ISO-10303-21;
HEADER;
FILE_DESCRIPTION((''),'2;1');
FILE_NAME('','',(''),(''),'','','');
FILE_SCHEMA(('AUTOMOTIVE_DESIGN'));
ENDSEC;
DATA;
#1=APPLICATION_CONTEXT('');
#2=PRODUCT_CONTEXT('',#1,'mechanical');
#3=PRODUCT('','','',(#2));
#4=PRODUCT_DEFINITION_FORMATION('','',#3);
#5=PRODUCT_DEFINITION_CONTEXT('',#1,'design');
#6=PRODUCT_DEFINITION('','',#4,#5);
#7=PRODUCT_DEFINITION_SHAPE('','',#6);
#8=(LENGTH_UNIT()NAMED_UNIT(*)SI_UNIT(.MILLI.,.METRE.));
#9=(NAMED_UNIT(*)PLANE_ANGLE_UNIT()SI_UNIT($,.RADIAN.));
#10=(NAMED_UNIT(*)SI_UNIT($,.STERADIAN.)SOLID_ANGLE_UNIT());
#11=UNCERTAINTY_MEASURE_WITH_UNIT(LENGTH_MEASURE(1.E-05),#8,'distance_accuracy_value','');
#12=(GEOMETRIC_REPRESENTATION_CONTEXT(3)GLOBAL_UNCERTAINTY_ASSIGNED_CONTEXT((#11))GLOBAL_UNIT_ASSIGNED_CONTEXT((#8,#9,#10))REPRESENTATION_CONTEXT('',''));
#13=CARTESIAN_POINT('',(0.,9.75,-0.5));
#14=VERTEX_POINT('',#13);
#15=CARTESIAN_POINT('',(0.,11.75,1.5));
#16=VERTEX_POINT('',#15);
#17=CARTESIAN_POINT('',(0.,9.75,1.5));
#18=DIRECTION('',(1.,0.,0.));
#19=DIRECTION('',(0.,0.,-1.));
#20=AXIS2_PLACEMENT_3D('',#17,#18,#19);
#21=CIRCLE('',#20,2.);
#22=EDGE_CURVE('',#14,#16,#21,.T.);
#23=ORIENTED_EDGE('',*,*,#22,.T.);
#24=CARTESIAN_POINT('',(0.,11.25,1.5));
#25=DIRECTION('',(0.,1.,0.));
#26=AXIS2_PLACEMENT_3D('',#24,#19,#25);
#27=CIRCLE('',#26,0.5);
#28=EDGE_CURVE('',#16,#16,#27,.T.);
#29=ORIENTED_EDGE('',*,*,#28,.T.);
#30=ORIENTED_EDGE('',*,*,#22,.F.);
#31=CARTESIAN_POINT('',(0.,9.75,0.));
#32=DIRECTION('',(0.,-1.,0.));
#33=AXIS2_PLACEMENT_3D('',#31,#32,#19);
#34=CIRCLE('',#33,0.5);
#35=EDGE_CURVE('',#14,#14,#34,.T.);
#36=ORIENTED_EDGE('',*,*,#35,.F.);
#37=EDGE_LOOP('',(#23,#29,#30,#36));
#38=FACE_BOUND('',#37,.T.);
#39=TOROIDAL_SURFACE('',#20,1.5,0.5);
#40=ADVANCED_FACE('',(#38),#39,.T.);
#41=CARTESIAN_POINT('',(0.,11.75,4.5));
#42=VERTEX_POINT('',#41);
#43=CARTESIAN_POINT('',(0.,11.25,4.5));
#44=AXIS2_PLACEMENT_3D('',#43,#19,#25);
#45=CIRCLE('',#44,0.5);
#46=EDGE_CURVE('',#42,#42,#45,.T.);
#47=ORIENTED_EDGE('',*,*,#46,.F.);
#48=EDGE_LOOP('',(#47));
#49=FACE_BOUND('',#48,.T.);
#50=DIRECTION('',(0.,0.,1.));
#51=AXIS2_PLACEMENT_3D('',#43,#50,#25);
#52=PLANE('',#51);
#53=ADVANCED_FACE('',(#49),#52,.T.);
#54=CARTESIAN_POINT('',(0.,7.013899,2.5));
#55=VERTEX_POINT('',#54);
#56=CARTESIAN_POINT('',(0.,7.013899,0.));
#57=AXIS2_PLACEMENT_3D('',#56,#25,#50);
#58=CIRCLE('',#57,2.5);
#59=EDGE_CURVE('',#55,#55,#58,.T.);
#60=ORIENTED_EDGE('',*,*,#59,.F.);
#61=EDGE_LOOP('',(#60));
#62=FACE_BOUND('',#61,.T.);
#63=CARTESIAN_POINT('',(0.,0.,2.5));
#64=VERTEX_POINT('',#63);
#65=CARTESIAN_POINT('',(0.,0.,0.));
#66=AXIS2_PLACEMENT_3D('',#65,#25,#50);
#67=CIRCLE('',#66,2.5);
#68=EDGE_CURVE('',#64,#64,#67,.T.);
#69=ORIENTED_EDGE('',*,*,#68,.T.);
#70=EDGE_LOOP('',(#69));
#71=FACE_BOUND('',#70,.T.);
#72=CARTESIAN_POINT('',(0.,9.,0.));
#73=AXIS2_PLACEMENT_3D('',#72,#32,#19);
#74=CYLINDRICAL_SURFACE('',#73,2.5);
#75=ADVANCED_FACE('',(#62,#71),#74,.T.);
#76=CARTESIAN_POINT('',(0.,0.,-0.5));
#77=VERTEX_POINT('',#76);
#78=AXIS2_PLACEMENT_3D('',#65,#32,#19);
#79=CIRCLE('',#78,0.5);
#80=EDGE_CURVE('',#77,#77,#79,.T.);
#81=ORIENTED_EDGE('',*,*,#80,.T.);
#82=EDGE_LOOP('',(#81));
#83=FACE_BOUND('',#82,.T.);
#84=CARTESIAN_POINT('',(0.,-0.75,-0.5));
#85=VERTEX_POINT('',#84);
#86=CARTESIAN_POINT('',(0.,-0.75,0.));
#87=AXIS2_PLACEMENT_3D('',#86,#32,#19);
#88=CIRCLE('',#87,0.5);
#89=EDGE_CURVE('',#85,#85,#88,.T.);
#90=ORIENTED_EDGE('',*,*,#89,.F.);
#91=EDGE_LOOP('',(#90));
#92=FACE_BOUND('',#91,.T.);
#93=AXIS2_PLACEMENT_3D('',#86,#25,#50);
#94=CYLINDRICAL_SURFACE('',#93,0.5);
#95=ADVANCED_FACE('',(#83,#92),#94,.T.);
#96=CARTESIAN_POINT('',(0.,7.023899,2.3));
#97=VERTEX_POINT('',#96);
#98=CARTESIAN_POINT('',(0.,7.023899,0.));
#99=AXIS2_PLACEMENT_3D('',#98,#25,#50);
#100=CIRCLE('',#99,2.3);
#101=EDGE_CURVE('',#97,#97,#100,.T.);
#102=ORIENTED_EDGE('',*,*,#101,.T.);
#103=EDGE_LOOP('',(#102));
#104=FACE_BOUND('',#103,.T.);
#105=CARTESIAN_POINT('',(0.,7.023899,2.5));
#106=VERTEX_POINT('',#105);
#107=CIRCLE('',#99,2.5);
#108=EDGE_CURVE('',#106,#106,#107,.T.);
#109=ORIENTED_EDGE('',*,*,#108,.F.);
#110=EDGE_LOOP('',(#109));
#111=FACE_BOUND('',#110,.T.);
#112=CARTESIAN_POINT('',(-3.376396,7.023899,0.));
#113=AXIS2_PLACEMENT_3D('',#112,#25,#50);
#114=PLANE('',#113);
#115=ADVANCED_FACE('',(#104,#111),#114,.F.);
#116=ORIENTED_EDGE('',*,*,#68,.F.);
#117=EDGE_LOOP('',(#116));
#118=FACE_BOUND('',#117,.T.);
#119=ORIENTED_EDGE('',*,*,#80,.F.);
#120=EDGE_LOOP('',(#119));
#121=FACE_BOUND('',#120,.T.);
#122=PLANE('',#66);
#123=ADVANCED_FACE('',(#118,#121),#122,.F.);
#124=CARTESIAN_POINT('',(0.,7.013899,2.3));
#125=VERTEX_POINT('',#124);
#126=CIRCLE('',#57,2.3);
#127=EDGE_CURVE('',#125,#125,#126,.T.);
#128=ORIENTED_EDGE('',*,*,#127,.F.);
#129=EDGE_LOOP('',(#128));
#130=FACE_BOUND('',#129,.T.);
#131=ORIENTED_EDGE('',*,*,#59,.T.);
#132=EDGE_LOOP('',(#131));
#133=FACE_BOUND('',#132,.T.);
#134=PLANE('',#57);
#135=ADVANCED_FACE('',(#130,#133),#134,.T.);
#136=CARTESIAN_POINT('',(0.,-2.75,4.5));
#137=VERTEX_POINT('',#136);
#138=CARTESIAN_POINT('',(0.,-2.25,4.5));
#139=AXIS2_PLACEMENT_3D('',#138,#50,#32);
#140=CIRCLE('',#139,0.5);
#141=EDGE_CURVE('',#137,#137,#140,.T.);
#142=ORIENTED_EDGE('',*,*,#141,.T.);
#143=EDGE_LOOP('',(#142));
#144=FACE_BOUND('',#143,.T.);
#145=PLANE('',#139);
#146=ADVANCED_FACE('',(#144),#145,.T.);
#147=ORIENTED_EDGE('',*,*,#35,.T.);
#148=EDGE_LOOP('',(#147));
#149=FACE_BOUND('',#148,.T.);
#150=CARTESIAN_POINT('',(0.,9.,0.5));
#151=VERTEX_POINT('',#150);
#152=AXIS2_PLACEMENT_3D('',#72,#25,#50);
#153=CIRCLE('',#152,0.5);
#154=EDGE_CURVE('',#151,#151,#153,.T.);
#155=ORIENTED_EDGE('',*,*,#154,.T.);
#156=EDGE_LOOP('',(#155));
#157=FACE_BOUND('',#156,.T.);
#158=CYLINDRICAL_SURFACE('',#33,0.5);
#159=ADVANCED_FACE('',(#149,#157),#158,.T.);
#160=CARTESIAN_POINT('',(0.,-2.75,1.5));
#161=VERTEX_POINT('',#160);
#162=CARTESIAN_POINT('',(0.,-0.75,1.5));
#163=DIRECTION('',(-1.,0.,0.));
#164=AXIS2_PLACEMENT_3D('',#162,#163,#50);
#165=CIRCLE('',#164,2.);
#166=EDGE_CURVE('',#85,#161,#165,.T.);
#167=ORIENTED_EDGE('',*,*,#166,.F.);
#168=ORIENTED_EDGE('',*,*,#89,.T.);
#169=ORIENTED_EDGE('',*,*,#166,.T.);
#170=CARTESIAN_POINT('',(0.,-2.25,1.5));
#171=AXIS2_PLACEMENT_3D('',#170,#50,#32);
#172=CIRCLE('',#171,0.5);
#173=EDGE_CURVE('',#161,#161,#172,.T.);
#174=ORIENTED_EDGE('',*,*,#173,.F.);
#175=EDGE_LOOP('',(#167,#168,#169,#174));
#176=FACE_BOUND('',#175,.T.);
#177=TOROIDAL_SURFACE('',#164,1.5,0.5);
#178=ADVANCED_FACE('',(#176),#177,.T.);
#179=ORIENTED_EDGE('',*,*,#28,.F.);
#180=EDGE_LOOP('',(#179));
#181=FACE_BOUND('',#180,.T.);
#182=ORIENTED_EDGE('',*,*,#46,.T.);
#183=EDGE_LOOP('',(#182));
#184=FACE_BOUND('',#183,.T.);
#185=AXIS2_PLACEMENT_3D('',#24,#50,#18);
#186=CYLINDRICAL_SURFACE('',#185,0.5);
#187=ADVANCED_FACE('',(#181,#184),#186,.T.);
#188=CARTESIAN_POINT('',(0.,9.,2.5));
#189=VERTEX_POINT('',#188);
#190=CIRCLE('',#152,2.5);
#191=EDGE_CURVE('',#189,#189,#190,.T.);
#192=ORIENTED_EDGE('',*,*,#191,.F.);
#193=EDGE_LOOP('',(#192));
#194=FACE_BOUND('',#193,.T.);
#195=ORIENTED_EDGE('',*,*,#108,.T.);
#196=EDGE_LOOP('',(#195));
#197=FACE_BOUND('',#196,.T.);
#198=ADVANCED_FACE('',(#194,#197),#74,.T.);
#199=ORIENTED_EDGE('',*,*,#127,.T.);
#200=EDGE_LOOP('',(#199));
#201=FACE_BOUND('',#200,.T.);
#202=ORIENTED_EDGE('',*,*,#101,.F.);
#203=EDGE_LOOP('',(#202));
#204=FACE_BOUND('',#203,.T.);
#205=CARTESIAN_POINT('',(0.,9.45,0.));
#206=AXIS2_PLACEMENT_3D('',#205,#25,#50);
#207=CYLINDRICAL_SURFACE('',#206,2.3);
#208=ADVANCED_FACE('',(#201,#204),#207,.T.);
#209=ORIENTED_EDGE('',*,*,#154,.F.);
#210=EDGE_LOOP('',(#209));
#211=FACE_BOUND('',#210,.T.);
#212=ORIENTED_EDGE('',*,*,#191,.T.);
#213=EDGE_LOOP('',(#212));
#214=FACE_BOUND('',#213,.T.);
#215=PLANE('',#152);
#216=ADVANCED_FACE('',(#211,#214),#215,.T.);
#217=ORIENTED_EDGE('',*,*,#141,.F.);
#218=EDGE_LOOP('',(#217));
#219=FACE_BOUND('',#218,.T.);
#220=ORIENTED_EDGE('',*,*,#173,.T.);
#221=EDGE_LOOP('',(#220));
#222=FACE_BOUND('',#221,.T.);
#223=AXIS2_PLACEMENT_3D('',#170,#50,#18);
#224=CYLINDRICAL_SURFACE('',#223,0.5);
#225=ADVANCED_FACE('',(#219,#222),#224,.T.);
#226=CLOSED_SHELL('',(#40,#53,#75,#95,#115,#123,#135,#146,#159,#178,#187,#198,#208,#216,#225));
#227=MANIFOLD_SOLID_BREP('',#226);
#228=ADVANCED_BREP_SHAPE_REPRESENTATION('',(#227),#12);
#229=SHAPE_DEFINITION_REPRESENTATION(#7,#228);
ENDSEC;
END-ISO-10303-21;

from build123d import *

# Parameters (mm, degrees)
SKETCH_1_R      = 2.5
EXTRUDE_1_DEPTH = 9
SKETCH_4_W      = 1.07639592
SKETCH_4_H      = 0.25
SKETCH_5_R      = 2.5
EXTRUDE_3_DEPTH = 0.24
SKETCH_6_R      = 0.5


with BuildPart() as part:
    # 草图1 → 凸台-拉伸1 (new body)
    with BuildSketch(Plane(origin=(0, 0, 0), x_dir=(1, 0, 0), z_dir=(0, 1, 0))):
        with Locations(Location((0, 0, 0), (0, 0, 270))):
            Circle(SKETCH_1_R)
    extrude(amount=EXTRUDE_1_DEPTH)

    # 草图4 → 切除-旋转1 (revolve, cut)
    with BuildSketch(Plane.XY, mode=Mode.PRIVATE) as cut_revolve_1_sk:
        with Locations((-2.83819796, 6.898899293)):
            Rectangle(SKETCH_4_W, SKETCH_4_H)
    revolve(cut_revolve_1_sk.sketch.rotate(Axis((0, 9.45, 0), (0, -1, 0)), 270), axis=Axis((0, 9.45, 0), (0, -1, 0)), mode=Mode.SUBTRACT)

    # 草图5 → 凸台-拉伸3 (add)
    with BuildSketch(Plane(origin=(0, 6.773899293, 0), x_dir=(1, 0, 0), z_dir=(0, 1, 0))):
        with Locations(Location((0, 0, 0), (0, 0, 270))):
            Circle(SKETCH_5_R)
    extrude(amount=EXTRUDE_3_DEPTH)

    # 扫描1: sweep along a path in 草图7
    with BuildLine(Plane(origin=(0, 0, 0), x_dir=(0, 0, -1), z_dir=(1, 0, 0))) as sweep_1_path:
        Line((-4.5, -2.75), (-1.5, -2.75))
        ThreePointArc((-1.5, -2.75), (-0.085786438, -2.164213562), (0.5, -0.75))
        Line((0.5, -0.75), (0.5, 0))
    # 草图6 → 扫描1 (sweep)
    with BuildSketch(Plane.XZ):
        Circle(SKETCH_6_R)
    sweep_1 = sweep(path=sweep_1_path.line)

    # 镜向1: 扫描1 across plane
    add(sweep_1.mirror(Plane.ZX.offset(4.5)))


solid = part.part
